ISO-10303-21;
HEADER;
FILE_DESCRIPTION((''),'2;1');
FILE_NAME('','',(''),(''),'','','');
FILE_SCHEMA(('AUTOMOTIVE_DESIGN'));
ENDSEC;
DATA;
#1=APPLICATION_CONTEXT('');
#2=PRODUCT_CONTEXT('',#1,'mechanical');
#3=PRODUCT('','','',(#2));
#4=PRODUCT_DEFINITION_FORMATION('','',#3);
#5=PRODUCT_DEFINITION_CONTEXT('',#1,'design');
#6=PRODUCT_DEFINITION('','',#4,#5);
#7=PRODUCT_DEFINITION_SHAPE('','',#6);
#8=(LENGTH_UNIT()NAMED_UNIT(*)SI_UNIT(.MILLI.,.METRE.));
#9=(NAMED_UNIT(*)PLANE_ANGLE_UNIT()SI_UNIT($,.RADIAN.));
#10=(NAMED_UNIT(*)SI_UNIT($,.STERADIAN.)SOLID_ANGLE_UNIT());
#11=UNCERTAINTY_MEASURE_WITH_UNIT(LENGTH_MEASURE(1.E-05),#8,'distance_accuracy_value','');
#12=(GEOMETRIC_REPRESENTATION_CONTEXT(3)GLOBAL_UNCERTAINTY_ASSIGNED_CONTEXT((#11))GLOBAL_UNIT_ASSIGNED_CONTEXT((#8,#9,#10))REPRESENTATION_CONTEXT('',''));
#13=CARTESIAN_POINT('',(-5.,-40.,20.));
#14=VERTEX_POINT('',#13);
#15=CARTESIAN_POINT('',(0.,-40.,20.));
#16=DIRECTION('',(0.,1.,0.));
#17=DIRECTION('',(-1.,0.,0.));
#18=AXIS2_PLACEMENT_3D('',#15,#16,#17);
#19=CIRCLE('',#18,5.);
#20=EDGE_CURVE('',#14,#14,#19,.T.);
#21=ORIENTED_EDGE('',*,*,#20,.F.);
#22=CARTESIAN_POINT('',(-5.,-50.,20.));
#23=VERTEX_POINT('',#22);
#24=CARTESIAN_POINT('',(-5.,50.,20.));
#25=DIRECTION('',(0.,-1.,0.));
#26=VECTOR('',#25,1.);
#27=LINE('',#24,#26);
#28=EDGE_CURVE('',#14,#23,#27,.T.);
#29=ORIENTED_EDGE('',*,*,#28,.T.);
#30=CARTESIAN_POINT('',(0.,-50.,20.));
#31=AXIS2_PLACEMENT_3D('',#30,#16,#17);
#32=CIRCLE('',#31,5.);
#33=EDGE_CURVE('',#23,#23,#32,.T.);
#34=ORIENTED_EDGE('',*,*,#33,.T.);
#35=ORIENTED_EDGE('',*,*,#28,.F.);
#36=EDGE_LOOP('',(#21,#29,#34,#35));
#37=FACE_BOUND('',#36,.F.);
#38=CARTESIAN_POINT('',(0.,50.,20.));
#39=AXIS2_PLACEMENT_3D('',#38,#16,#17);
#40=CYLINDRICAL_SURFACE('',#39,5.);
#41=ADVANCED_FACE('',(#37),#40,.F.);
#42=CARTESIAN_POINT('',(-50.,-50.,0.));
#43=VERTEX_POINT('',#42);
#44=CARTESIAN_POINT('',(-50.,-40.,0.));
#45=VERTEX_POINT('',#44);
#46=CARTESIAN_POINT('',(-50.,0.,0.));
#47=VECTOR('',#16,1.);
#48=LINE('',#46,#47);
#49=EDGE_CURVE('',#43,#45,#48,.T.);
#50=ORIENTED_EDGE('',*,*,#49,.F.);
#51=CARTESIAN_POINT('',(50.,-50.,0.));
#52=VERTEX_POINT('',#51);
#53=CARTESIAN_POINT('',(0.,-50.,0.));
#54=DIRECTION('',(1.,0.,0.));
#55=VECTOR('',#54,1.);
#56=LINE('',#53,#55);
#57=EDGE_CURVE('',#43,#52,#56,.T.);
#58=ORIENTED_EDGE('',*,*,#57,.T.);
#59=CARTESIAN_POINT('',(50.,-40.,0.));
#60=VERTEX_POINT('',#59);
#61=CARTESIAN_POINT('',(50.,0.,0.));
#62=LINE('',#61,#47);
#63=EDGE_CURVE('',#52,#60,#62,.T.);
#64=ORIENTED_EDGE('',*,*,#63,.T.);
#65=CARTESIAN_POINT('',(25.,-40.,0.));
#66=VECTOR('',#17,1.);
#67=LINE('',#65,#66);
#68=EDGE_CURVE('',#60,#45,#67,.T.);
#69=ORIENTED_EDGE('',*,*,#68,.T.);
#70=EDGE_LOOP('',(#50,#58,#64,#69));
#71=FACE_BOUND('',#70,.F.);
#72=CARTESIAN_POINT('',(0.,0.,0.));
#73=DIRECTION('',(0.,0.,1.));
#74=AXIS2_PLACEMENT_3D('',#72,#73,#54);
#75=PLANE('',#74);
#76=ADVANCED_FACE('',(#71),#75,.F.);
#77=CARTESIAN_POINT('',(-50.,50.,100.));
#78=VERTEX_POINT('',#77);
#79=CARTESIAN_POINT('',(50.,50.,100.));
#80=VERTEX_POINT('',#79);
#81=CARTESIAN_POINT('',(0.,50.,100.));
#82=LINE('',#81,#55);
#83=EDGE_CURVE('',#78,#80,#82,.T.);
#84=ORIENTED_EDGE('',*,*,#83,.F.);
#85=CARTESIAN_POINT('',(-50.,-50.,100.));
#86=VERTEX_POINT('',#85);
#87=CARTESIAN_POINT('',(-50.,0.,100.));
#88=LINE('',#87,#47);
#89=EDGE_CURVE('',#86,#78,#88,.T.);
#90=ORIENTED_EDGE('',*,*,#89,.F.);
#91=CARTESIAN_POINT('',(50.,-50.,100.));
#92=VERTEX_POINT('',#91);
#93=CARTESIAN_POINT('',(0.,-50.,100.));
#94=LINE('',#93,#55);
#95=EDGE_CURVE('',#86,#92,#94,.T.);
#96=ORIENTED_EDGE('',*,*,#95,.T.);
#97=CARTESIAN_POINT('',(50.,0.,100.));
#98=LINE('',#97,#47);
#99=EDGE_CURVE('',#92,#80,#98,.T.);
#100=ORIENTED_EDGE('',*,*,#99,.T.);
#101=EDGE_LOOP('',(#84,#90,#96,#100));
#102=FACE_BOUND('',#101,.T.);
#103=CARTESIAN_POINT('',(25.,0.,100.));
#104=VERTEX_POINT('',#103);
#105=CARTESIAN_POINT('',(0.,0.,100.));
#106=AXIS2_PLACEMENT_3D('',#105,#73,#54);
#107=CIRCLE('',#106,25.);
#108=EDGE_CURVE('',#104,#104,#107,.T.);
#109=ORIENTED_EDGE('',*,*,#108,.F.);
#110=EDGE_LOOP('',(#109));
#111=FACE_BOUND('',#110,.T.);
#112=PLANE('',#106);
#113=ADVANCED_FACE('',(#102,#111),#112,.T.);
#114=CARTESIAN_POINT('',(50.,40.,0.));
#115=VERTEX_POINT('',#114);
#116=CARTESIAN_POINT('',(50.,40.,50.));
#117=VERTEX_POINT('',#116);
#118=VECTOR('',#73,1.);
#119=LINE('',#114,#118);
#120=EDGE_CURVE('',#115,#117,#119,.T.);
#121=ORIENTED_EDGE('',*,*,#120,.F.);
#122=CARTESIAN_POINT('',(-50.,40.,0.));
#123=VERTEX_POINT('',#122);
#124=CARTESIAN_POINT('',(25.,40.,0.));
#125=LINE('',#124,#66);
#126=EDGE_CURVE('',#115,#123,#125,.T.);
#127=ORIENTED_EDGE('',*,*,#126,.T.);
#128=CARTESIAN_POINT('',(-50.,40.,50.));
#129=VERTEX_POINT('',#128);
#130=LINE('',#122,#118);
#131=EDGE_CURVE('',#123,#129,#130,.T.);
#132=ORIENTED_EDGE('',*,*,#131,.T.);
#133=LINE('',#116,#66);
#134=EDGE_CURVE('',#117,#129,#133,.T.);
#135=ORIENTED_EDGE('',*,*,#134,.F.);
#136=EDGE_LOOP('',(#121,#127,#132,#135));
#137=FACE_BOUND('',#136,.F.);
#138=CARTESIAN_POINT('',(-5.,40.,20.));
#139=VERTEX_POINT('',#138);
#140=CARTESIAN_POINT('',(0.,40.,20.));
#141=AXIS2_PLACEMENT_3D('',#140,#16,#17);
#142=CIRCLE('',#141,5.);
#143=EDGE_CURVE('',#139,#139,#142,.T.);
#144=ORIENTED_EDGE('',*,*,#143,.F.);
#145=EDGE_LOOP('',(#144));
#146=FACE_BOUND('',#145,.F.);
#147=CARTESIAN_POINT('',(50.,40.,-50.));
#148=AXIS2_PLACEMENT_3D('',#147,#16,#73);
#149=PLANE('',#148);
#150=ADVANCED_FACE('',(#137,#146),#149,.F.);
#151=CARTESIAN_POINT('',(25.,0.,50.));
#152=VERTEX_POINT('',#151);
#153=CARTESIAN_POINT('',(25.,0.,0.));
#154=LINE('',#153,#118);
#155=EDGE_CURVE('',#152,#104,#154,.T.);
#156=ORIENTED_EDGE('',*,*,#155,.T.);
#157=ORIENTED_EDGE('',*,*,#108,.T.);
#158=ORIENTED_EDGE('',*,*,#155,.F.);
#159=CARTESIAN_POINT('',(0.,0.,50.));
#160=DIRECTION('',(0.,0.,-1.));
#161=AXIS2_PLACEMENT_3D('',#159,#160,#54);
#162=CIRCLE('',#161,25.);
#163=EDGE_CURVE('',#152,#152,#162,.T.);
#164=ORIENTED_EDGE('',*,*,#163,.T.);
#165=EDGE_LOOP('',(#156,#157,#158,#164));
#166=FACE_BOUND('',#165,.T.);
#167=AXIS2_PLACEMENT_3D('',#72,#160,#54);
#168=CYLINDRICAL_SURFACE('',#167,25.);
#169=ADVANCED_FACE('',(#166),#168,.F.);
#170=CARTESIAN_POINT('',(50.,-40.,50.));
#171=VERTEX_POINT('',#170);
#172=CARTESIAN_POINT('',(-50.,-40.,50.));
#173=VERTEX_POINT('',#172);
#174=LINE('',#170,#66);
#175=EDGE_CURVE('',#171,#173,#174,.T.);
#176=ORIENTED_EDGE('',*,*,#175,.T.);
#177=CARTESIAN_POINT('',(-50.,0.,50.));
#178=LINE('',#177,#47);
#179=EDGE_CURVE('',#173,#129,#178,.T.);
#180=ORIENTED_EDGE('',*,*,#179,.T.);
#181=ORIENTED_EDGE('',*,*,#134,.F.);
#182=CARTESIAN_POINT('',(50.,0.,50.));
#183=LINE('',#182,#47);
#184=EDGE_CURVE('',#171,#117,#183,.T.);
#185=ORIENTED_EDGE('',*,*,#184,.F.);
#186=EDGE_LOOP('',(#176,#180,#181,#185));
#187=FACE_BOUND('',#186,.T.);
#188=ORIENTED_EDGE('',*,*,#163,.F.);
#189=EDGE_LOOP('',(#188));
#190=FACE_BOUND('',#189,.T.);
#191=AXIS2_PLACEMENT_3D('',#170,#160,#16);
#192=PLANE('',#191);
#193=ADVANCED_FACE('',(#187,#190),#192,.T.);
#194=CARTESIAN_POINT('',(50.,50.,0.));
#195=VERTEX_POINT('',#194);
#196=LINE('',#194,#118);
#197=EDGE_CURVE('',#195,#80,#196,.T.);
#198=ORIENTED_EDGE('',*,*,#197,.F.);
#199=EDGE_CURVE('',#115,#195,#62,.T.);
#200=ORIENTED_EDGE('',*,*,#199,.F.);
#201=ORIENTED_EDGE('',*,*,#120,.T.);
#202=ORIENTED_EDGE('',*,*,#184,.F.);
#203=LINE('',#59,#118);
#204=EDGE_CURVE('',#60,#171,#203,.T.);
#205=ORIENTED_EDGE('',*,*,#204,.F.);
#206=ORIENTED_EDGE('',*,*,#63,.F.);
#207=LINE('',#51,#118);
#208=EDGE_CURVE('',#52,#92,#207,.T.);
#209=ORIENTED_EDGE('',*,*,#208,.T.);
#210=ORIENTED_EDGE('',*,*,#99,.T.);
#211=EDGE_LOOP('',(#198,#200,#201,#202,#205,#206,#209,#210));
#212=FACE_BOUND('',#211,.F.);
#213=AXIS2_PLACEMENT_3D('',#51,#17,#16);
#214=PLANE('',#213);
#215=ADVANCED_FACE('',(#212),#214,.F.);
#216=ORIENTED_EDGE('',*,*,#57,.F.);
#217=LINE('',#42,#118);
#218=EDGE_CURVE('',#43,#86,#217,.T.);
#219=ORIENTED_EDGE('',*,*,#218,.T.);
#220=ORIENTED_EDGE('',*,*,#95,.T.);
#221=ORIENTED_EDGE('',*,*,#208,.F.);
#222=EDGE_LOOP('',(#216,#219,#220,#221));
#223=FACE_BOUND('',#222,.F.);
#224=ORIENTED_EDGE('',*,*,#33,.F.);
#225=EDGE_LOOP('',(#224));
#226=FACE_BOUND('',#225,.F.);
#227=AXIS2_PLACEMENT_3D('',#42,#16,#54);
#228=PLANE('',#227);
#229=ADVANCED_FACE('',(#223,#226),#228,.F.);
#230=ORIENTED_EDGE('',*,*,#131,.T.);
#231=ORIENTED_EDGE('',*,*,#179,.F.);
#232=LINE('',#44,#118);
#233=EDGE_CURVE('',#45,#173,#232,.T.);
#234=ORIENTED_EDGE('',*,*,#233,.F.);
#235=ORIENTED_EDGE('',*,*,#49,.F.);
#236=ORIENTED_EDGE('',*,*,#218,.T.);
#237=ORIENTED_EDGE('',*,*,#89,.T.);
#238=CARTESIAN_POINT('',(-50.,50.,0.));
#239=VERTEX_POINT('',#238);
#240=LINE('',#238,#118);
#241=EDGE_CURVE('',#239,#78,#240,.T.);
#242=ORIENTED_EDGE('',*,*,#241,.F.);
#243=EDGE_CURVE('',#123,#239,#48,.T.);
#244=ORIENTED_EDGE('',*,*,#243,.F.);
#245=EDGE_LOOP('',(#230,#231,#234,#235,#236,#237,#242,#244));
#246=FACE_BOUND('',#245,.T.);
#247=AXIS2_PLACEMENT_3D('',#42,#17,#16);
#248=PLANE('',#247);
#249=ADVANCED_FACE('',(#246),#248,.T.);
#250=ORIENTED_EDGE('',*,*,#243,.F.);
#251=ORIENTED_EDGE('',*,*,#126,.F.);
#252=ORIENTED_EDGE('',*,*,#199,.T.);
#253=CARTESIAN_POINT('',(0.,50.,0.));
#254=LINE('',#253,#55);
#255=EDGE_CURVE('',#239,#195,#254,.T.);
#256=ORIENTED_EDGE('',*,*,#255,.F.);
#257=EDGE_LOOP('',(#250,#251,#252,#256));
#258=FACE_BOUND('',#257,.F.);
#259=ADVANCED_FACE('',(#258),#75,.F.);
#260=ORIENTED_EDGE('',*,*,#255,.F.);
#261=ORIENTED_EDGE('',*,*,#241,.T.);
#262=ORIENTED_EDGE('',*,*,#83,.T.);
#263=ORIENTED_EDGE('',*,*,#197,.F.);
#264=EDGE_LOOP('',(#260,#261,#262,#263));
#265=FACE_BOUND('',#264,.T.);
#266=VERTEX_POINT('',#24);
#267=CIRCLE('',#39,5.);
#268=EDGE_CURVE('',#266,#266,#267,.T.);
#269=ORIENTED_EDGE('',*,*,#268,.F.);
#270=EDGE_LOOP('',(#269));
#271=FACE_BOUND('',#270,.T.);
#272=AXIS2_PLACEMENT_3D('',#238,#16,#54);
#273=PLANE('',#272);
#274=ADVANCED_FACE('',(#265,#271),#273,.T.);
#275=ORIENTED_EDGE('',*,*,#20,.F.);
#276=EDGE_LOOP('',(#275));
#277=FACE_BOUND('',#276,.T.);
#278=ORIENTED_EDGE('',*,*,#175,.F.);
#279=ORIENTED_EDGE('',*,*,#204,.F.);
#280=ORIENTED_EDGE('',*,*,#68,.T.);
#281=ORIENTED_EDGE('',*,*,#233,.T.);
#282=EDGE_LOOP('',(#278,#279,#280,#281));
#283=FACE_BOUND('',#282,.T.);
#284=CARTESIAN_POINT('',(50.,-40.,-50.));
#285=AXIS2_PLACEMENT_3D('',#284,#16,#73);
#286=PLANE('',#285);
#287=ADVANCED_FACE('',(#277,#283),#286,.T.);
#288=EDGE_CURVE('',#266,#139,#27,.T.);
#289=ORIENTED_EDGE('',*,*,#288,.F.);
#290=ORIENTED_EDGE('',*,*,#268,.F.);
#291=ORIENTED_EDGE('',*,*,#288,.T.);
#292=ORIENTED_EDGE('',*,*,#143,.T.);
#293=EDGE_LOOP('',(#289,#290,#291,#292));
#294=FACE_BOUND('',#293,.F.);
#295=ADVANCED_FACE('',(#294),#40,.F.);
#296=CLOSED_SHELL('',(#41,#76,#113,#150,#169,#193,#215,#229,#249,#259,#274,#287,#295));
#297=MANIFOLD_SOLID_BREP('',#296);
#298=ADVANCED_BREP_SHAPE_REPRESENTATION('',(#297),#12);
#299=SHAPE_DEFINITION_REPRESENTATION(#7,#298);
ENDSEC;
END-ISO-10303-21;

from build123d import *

# Parameters (mm, degrees)
F0_W     = 100
F0_H     = 100
F0_R     = 25
F1_DEPTH = 100
F2_W     = 80
F2_H     = 100
F3_DEPTH = 100
F4_R     = 5
F5_DEPTH = 100


with BuildPart() as f1:
    # F0 (on Top) → F1 (new body)
    with BuildSketch(Plane.XY):
        Rectangle(F0_W, F0_H)
        Circle(F0_R, mode=Mode.SUBTRACT)
    extrude(amount=F1_DEPTH)

    # F2 (on face) → F3 (cut)
    with BuildSketch(Plane.YZ.offset(50)):
        Rectangle(F2_W, F2_H)
    extrude(amount=-F3_DEPTH, mode=Mode.SUBTRACT)

    # F4 (on face) → F5 (cut)
    with BuildSketch(Plane(origin=(0, 50, 0), x_dir=(-1, 0, 0), z_dir=(0, 1, 0))):
        with Locations((0, 20)):
            Circle(F4_R)
    extrude(amount=-F5_DEPTH, mode=Mode.SUBTRACT)


solid = f1.part
